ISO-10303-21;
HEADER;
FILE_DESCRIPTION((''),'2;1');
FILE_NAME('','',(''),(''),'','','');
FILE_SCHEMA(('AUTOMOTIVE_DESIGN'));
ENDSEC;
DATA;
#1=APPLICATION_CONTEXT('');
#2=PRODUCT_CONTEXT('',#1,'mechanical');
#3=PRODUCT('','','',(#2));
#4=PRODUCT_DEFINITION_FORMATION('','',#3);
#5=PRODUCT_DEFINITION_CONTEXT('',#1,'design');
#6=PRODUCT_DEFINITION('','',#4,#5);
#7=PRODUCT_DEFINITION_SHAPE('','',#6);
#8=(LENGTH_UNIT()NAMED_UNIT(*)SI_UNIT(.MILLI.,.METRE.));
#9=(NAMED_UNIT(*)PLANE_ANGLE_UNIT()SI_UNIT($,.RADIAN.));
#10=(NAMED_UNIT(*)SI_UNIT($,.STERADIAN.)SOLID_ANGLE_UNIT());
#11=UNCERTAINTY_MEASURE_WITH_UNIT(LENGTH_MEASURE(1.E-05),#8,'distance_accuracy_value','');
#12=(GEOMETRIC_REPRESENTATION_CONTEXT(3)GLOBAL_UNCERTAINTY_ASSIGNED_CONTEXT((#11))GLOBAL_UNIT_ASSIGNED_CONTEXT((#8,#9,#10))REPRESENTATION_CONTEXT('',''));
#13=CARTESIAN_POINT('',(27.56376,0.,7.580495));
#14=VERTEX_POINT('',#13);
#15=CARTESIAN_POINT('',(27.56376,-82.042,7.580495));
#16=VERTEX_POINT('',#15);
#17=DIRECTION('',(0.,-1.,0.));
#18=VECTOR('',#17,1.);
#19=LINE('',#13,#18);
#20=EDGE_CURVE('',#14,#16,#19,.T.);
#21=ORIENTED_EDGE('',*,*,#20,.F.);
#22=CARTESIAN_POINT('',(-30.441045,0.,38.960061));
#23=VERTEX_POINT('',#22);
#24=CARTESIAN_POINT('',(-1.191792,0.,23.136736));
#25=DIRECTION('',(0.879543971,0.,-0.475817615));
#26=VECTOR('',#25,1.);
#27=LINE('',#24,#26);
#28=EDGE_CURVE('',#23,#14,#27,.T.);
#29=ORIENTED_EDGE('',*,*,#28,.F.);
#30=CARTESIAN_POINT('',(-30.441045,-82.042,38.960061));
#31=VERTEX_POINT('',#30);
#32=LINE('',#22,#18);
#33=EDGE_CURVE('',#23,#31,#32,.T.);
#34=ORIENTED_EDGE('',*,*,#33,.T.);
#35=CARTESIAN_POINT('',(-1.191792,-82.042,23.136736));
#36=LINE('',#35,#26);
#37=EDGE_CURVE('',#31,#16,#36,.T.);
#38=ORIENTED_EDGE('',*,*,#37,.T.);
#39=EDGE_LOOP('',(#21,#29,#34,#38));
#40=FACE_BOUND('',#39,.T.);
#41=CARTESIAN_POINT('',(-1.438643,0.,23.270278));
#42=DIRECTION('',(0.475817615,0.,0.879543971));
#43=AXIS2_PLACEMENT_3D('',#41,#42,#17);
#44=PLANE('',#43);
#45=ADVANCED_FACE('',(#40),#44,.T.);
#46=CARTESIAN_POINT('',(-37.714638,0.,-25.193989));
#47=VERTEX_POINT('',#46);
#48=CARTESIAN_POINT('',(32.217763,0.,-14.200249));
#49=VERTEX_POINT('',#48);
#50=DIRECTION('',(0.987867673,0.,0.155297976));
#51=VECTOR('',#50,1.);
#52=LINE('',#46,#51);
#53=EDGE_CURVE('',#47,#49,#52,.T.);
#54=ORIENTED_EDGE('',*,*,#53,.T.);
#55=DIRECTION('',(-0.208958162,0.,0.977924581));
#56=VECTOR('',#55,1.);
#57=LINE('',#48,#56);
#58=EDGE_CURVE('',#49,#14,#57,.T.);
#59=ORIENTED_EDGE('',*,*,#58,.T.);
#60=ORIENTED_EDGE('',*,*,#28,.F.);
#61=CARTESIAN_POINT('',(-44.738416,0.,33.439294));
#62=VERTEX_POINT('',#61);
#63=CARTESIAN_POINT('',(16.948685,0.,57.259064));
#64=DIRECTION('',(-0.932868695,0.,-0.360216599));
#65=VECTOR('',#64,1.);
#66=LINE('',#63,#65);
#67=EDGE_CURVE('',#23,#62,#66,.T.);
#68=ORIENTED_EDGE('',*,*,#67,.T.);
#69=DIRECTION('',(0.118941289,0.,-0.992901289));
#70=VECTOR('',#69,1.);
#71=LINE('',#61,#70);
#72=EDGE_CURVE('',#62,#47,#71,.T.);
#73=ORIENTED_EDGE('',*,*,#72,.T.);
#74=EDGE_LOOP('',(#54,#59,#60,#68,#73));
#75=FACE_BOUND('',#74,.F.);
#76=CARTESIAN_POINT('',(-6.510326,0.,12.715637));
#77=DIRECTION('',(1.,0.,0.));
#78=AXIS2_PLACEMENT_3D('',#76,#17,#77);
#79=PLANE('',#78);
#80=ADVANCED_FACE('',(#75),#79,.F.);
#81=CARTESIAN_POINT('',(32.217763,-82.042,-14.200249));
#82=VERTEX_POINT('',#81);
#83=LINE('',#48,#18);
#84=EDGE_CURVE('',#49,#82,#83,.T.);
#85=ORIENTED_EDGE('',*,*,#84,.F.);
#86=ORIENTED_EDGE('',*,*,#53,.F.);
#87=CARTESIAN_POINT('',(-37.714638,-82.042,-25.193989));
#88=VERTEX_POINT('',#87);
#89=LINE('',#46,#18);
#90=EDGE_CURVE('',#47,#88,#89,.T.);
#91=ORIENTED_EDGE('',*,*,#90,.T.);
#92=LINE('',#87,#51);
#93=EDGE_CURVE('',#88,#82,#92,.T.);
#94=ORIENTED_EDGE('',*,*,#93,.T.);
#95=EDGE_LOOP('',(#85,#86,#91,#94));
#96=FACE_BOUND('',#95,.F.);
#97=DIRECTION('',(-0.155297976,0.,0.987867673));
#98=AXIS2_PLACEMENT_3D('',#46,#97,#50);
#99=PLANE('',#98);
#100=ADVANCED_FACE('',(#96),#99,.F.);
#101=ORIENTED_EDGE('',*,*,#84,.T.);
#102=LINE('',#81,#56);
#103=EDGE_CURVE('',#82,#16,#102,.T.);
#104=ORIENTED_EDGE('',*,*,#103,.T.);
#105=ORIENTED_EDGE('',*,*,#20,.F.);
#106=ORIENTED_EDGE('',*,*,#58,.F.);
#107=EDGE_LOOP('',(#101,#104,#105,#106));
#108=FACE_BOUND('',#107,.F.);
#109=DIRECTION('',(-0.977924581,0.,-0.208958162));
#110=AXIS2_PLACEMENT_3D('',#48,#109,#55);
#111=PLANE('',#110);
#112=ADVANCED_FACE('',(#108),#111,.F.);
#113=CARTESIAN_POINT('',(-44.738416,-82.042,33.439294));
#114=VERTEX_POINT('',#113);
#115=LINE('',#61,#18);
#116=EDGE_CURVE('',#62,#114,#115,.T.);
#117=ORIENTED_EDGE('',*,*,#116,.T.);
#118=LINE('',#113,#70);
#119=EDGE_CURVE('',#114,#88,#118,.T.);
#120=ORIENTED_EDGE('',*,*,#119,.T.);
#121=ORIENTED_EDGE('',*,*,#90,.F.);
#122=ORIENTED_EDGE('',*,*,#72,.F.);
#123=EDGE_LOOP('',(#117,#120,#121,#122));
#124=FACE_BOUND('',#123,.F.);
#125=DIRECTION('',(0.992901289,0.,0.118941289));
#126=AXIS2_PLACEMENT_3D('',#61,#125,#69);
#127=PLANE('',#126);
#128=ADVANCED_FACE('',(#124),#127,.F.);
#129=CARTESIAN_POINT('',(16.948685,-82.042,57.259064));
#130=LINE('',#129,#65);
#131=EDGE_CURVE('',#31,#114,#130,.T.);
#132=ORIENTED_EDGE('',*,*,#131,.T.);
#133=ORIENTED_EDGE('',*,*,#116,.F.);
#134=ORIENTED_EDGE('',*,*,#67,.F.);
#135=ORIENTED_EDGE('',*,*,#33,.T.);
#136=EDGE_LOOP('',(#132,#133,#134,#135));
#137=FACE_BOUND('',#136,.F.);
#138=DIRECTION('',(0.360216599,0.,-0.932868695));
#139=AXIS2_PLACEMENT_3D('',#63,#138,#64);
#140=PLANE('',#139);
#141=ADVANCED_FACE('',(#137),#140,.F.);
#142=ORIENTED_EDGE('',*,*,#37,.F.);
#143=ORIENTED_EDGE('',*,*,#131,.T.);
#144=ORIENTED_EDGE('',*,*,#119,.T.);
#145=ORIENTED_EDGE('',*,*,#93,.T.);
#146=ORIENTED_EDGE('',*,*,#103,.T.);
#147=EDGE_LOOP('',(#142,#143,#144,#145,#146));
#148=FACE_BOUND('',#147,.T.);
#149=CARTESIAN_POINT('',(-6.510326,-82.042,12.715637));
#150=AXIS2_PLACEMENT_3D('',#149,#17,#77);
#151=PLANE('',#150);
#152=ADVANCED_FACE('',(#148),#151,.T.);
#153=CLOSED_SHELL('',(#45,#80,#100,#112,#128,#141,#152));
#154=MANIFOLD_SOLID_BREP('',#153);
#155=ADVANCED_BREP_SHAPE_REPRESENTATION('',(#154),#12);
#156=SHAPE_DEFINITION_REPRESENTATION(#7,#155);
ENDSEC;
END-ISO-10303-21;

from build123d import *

# Parameters (mm, degrees)
F1_DEPTH = 82.042
F2_SIZE  = 50.8


with BuildPart() as f1:
    # F0 (on Front) → F1 (new body)
    with BuildSketch(Plane.XZ):
        Polygon((16.948685, 57.259064), (-44.738416, 33.439294), (-37.714638, -25.193989), (32.217763, -14.200249), align=None)
    extrude(amount=F1_DEPTH)

    # F2
    f2_edges = [f1.edges().sort_by_distance(p)[0] for p in [
        (16.948685, -41.021, 57.259064),
    ]]
    chamfer(f2_edges, length=F2_SIZE)


solid = f1.part
